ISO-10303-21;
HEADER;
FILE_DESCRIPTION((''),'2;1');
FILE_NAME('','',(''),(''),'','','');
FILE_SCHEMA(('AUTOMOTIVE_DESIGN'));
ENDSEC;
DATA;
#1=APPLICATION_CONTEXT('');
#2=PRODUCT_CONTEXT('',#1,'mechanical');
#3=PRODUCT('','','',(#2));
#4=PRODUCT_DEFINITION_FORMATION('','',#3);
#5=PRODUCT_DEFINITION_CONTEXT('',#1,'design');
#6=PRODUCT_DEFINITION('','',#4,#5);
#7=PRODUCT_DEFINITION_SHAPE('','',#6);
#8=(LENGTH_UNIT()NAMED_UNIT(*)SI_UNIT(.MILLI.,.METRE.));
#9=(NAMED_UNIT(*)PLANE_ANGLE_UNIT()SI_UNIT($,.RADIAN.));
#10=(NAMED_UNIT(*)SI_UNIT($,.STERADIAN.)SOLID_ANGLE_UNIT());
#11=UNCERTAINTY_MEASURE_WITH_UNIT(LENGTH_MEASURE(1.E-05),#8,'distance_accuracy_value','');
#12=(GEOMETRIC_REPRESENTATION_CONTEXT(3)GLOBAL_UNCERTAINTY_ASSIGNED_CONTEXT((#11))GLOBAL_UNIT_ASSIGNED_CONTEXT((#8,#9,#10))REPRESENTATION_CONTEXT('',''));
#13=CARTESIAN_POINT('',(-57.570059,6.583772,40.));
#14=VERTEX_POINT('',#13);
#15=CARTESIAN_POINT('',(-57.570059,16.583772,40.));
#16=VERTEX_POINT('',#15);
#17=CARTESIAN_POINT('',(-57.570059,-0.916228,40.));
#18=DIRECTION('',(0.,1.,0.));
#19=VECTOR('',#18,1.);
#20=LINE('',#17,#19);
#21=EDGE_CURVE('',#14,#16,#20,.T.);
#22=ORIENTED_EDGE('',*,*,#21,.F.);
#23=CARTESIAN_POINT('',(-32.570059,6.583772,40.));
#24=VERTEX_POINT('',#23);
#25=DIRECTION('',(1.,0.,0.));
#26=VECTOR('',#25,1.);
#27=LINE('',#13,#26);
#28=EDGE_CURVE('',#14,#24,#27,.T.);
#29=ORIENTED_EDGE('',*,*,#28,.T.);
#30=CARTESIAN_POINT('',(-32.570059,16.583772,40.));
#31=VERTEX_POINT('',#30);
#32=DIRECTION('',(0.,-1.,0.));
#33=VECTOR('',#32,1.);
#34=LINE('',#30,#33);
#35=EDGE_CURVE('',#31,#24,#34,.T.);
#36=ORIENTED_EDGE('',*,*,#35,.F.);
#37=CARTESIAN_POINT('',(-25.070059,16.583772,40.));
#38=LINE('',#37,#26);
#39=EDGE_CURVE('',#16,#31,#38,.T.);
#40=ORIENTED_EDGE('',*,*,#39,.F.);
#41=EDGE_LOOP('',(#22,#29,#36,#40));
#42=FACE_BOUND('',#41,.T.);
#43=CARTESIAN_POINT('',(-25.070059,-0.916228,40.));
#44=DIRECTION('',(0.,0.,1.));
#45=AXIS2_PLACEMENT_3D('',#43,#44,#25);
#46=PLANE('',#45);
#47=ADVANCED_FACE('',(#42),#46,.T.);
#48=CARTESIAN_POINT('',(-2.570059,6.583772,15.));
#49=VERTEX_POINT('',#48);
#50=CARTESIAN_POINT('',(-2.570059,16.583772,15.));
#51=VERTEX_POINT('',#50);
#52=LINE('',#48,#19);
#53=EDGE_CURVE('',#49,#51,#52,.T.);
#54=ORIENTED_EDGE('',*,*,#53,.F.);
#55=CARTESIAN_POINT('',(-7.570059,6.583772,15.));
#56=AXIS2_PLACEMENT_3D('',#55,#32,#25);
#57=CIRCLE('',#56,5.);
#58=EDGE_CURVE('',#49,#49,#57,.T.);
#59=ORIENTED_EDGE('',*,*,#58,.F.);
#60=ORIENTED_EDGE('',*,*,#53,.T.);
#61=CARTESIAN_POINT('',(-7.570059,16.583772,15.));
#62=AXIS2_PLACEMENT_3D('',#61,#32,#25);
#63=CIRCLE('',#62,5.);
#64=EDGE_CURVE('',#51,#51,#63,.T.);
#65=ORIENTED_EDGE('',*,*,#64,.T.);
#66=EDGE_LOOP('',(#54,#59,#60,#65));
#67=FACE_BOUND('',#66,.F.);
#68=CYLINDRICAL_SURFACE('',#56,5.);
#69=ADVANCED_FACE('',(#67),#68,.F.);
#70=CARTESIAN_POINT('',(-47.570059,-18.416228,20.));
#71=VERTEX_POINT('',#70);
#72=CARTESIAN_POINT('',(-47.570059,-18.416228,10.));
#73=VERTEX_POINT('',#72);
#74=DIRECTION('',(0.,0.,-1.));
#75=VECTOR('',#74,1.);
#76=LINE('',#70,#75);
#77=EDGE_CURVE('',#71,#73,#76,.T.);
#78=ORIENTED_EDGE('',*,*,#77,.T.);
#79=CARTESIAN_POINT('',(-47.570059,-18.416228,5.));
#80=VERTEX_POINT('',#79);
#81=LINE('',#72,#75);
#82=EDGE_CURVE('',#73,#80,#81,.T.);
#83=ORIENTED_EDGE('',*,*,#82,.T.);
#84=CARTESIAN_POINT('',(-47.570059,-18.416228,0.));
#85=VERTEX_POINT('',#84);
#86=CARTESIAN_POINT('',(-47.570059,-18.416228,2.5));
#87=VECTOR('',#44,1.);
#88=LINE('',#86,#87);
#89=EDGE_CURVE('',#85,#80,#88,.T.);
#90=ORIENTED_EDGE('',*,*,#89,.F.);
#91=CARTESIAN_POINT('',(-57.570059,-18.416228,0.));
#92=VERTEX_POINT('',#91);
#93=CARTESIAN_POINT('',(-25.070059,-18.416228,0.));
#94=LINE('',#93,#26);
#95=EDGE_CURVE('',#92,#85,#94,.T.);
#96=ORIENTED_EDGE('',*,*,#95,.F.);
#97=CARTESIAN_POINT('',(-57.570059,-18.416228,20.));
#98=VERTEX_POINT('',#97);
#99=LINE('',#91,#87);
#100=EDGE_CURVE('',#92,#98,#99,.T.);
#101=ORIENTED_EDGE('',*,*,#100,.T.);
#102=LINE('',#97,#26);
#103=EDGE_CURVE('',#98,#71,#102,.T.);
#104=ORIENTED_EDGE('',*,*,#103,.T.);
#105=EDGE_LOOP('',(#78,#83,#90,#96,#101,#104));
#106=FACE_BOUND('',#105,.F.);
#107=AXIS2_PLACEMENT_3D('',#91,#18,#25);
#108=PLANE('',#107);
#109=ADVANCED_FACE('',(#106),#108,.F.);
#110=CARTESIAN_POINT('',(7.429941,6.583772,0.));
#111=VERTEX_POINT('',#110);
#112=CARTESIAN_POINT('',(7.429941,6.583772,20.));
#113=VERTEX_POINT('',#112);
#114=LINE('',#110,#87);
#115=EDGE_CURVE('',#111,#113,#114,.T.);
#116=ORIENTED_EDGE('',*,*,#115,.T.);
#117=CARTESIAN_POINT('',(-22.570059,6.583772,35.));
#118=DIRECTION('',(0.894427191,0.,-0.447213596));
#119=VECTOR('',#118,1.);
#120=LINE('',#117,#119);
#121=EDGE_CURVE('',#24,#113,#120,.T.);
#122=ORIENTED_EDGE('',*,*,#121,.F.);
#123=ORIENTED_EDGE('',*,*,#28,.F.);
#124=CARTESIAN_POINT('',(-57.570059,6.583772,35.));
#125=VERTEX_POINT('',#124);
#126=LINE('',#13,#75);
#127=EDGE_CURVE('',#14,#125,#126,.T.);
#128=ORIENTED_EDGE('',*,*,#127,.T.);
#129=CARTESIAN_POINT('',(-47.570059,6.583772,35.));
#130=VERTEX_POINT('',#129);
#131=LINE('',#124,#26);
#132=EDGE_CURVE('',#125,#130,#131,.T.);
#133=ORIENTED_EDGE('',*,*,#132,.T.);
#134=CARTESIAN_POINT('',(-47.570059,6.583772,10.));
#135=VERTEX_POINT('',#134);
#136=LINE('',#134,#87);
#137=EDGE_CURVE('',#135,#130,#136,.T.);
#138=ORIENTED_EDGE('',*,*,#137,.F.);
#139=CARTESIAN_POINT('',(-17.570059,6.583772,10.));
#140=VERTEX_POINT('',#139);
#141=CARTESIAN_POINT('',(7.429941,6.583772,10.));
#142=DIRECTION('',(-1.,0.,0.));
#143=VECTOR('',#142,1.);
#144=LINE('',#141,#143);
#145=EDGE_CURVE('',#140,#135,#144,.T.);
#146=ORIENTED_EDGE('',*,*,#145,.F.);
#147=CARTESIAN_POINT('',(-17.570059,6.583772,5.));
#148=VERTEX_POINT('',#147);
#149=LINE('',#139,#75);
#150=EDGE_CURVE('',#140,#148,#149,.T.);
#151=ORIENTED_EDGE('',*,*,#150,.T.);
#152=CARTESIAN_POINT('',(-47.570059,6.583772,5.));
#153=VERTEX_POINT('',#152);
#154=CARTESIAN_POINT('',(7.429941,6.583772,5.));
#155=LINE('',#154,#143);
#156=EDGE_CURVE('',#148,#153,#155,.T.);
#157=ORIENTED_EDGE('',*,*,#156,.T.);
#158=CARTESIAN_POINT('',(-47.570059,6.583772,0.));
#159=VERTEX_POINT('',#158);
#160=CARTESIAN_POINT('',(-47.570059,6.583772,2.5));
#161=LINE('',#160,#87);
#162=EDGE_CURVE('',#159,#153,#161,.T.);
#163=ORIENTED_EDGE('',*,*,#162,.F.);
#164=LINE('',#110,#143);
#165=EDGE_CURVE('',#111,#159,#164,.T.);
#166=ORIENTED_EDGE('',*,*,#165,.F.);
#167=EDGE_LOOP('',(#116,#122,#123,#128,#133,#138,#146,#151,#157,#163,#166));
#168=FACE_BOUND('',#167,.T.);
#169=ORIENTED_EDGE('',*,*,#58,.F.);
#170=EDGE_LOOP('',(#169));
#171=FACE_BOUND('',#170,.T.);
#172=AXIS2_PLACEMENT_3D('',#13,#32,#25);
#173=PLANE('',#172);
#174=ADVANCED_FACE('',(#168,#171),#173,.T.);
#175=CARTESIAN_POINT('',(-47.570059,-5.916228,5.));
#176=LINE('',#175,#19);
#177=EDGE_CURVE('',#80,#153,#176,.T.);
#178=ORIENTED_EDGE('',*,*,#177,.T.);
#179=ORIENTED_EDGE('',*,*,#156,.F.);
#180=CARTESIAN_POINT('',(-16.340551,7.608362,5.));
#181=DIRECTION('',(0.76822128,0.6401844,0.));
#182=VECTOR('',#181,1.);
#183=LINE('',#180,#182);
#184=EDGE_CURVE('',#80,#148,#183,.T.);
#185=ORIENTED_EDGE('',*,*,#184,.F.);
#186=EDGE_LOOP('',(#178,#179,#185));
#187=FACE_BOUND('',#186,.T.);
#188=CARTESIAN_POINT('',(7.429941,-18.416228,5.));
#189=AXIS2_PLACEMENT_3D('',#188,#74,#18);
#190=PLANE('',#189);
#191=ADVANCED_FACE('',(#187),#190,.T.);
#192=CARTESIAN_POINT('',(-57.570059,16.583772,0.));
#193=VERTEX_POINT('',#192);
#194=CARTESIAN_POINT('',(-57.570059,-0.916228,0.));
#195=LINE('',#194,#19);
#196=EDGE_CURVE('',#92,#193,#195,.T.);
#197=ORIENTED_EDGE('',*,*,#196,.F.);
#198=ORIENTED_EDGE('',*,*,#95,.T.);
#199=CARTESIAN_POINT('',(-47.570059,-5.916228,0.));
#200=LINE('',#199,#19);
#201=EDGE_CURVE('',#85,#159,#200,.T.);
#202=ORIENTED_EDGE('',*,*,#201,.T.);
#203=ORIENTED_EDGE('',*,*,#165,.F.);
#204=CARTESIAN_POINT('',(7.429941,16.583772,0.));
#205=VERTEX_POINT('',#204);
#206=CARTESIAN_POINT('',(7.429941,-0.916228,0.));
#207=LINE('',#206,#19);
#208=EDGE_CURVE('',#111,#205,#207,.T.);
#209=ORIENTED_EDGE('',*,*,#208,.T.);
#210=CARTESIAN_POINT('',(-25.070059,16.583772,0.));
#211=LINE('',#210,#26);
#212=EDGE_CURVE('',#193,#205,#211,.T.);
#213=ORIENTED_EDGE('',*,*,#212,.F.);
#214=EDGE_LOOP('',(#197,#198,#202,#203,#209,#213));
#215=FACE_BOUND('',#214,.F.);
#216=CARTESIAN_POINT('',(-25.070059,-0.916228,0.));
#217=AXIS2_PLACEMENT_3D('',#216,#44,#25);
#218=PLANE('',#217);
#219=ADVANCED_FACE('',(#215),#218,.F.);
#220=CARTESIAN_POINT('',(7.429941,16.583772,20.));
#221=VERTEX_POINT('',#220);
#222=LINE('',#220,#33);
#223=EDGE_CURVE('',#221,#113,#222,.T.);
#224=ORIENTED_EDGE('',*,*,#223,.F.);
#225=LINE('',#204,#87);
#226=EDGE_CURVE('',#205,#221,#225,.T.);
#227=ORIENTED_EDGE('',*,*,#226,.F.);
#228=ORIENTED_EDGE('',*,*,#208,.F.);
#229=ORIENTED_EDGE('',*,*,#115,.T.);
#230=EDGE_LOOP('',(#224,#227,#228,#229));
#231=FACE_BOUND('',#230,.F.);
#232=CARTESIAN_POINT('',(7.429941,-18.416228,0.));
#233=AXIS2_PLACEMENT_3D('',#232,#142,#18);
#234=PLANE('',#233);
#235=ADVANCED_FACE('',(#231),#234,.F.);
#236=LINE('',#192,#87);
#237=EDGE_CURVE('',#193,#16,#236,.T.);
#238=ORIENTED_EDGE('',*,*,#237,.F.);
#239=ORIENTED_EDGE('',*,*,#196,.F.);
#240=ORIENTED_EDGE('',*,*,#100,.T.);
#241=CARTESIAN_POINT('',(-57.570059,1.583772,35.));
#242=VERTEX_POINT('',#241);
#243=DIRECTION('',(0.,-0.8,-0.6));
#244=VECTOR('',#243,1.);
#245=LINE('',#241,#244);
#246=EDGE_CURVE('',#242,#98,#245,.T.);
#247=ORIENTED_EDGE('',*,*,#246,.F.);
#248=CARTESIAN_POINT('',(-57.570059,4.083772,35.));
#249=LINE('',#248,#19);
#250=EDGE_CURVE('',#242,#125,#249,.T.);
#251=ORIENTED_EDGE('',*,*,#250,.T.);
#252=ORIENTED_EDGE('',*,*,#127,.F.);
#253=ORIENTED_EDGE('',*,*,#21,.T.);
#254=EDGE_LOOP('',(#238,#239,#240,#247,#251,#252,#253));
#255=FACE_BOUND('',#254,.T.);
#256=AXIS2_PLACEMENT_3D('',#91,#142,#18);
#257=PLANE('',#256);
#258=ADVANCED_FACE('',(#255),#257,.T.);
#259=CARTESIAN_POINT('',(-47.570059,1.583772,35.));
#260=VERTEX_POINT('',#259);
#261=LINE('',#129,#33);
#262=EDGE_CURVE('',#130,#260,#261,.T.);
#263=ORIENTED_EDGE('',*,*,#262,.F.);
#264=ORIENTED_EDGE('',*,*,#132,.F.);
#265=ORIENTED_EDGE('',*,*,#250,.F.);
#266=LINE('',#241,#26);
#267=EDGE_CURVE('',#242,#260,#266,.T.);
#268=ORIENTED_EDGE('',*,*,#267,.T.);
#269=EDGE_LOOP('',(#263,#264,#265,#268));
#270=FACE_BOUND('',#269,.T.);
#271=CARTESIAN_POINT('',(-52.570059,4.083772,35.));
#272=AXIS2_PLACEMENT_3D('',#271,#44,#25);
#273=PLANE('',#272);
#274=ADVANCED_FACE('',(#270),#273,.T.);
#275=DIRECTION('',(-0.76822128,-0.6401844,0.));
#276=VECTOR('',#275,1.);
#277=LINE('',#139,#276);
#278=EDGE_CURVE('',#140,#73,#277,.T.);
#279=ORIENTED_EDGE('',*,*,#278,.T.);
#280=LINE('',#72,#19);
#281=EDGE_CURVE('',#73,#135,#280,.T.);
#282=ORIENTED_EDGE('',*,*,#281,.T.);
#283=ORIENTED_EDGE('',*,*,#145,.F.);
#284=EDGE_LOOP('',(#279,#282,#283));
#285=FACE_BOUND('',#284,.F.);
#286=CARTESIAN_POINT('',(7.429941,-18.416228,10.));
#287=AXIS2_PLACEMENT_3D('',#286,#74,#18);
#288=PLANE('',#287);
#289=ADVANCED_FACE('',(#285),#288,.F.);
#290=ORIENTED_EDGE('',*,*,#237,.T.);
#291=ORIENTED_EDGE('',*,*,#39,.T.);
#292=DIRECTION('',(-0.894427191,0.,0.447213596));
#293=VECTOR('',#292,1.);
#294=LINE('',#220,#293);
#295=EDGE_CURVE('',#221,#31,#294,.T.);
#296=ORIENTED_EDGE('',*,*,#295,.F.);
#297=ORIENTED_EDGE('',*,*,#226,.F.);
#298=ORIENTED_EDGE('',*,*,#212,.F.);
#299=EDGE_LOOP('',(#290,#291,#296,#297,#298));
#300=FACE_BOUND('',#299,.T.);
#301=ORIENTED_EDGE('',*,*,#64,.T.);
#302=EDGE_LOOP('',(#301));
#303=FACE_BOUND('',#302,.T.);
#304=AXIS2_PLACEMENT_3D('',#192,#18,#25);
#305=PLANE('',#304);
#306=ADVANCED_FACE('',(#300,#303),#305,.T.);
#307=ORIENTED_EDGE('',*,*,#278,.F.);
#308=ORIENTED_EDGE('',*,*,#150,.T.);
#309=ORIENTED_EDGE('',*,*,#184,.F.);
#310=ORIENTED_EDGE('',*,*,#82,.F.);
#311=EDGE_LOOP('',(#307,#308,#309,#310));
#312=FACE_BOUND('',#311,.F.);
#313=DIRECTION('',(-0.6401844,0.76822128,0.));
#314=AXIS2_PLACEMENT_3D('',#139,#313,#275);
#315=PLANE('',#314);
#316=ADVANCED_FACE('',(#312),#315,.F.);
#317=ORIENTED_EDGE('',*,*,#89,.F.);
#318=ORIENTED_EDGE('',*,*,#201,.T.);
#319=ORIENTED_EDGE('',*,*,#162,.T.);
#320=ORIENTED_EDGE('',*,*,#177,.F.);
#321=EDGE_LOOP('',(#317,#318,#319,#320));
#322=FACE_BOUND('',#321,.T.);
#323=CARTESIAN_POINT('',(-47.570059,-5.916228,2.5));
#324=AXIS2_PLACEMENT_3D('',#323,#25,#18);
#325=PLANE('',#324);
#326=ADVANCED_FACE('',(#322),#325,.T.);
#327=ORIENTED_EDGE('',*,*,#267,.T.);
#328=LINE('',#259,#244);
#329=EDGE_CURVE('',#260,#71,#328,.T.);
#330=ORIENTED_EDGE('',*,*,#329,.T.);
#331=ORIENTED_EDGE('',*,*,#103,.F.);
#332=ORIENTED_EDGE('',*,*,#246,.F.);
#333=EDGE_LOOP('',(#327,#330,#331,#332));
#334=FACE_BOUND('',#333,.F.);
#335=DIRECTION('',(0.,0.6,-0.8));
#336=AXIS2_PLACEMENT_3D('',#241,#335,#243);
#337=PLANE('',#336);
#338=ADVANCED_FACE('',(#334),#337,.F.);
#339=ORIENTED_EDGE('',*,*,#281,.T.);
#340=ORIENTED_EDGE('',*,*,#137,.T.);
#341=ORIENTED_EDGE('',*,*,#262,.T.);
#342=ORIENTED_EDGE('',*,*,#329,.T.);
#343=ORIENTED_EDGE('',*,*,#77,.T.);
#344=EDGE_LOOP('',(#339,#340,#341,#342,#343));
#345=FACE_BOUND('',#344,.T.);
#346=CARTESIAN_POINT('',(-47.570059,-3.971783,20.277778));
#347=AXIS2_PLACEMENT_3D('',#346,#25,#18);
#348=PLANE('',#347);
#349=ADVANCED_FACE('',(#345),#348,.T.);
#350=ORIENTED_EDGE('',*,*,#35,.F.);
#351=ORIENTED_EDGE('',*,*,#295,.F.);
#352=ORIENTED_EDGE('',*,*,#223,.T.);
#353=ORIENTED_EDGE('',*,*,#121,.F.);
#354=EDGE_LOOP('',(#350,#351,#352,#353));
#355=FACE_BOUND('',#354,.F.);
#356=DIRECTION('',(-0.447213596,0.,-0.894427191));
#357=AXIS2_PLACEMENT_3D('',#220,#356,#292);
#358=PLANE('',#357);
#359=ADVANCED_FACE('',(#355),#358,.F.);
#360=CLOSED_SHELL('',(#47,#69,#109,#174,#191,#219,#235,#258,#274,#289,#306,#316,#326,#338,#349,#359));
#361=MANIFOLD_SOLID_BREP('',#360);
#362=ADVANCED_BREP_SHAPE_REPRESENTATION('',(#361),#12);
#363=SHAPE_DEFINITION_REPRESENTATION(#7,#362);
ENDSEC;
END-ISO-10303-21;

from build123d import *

# Parameters (mm, degrees)
F0_W      = 65
F0_H      = 35
F1_DEPTH  = 40
F2_W      = 10
F2_H      = 5
F3_DEPTH  = 5
F5_DEPTH  = 65
F6_DEPTH  = 65
F7_W      = 25
F7_H      = 5
F8_DEPTH  = 55
F10_DEPTH = 25
F12_DEPTH = 25
F13_R     = 5
F14_DEPTH = 25


with BuildPart() as f1:
    # F0 (on Top) → F1 (new body)
    with BuildSketch(Plane.XY):
        with Locations((-25.0700588524, -0.9162277728)):
            Rectangle(F0_W, F0_H)
    extrude(amount=F1_DEPTH)

    # F2 (on face) → F3 (cut)
    with BuildSketch(Plane.XY.offset(40)):
        with Locations((-52.5700588524, 4.0837722272)):
            Rectangle(F2_W, F2_H)
    extrude(amount=-F3_DEPTH, mode=Mode.SUBTRACT)

    # F4 (on face) → F5 (cut)
    with BuildSketch(Plane(origin=(-57.5700588524, 0, 0), x_dir=(0, -1, 0), z_dir=(-1, 0, 0))):
        Polygon((-1.5837722272, 40), (-1.5837722272, 35), (18.4162277728, 20), (18.4162277728, 40), align=None)
    extrude(amount=-F5_DEPTH, mode=Mode.SUBTRACT)

    # F6 (cut): a face of the model
    f6_faces = [f1.faces().sort_by_distance(p)[0] for p in [
        (-47.5700588524, 4.0837722272, 37.5),
    ]]
    extrude(f6_faces, amount=-F6_DEPTH, mode=Mode.SUBTRACT)

    # F7 (on face) → F8 (cut)
    with BuildSketch(Plane.YZ.offset(7.4299411476)):
        Polygon((6.5837722272, 10), (6.5837722272, 35), (1.5837722272, 35), (-18.4162277728, 20), (-18.4162277728, 10), align=None)
        with Locations((-5.9162277728, 2.5)):
            Rectangle(F7_W, F7_H)
    extrude(amount=-F8_DEPTH, mode=Mode.SUBTRACT)

    # F9 (on face) → F10 (cut)
    with BuildSketch(Plane(origin=(0, 16.5837722272, 0), x_dir=(-1, 0, 0), z_dir=(0, 1, 0))):
        Polygon((-7.4299411476, 20), (32.5700588524, 40), (-7.4299411476, 40), align=None)
    extrude(amount=-F10_DEPTH, mode=Mode.SUBTRACT)

    # F11 (on face) → F12 (cut)
    with BuildSketch(Plane.XY.offset(10)):
        Polygon((-17.5700588524, 6.5837722272), (-47.5700588524, -18.4162277728), (7.4299411476, -18.4162277728), (7.4299411476, 6.5837722272), align=None)
    extrude(amount=-F12_DEPTH, mode=Mode.SUBTRACT)

    # F13 (on face) → F14 (cut)
    with BuildSketch(Plane.XZ.offset(-6.5837722272)):
        with Locations((-7.5700588524, 15)):
            Circle(F13_R)
    extrude(amount=-F14_DEPTH, mode=Mode.SUBTRACT)


solid = f1.part
